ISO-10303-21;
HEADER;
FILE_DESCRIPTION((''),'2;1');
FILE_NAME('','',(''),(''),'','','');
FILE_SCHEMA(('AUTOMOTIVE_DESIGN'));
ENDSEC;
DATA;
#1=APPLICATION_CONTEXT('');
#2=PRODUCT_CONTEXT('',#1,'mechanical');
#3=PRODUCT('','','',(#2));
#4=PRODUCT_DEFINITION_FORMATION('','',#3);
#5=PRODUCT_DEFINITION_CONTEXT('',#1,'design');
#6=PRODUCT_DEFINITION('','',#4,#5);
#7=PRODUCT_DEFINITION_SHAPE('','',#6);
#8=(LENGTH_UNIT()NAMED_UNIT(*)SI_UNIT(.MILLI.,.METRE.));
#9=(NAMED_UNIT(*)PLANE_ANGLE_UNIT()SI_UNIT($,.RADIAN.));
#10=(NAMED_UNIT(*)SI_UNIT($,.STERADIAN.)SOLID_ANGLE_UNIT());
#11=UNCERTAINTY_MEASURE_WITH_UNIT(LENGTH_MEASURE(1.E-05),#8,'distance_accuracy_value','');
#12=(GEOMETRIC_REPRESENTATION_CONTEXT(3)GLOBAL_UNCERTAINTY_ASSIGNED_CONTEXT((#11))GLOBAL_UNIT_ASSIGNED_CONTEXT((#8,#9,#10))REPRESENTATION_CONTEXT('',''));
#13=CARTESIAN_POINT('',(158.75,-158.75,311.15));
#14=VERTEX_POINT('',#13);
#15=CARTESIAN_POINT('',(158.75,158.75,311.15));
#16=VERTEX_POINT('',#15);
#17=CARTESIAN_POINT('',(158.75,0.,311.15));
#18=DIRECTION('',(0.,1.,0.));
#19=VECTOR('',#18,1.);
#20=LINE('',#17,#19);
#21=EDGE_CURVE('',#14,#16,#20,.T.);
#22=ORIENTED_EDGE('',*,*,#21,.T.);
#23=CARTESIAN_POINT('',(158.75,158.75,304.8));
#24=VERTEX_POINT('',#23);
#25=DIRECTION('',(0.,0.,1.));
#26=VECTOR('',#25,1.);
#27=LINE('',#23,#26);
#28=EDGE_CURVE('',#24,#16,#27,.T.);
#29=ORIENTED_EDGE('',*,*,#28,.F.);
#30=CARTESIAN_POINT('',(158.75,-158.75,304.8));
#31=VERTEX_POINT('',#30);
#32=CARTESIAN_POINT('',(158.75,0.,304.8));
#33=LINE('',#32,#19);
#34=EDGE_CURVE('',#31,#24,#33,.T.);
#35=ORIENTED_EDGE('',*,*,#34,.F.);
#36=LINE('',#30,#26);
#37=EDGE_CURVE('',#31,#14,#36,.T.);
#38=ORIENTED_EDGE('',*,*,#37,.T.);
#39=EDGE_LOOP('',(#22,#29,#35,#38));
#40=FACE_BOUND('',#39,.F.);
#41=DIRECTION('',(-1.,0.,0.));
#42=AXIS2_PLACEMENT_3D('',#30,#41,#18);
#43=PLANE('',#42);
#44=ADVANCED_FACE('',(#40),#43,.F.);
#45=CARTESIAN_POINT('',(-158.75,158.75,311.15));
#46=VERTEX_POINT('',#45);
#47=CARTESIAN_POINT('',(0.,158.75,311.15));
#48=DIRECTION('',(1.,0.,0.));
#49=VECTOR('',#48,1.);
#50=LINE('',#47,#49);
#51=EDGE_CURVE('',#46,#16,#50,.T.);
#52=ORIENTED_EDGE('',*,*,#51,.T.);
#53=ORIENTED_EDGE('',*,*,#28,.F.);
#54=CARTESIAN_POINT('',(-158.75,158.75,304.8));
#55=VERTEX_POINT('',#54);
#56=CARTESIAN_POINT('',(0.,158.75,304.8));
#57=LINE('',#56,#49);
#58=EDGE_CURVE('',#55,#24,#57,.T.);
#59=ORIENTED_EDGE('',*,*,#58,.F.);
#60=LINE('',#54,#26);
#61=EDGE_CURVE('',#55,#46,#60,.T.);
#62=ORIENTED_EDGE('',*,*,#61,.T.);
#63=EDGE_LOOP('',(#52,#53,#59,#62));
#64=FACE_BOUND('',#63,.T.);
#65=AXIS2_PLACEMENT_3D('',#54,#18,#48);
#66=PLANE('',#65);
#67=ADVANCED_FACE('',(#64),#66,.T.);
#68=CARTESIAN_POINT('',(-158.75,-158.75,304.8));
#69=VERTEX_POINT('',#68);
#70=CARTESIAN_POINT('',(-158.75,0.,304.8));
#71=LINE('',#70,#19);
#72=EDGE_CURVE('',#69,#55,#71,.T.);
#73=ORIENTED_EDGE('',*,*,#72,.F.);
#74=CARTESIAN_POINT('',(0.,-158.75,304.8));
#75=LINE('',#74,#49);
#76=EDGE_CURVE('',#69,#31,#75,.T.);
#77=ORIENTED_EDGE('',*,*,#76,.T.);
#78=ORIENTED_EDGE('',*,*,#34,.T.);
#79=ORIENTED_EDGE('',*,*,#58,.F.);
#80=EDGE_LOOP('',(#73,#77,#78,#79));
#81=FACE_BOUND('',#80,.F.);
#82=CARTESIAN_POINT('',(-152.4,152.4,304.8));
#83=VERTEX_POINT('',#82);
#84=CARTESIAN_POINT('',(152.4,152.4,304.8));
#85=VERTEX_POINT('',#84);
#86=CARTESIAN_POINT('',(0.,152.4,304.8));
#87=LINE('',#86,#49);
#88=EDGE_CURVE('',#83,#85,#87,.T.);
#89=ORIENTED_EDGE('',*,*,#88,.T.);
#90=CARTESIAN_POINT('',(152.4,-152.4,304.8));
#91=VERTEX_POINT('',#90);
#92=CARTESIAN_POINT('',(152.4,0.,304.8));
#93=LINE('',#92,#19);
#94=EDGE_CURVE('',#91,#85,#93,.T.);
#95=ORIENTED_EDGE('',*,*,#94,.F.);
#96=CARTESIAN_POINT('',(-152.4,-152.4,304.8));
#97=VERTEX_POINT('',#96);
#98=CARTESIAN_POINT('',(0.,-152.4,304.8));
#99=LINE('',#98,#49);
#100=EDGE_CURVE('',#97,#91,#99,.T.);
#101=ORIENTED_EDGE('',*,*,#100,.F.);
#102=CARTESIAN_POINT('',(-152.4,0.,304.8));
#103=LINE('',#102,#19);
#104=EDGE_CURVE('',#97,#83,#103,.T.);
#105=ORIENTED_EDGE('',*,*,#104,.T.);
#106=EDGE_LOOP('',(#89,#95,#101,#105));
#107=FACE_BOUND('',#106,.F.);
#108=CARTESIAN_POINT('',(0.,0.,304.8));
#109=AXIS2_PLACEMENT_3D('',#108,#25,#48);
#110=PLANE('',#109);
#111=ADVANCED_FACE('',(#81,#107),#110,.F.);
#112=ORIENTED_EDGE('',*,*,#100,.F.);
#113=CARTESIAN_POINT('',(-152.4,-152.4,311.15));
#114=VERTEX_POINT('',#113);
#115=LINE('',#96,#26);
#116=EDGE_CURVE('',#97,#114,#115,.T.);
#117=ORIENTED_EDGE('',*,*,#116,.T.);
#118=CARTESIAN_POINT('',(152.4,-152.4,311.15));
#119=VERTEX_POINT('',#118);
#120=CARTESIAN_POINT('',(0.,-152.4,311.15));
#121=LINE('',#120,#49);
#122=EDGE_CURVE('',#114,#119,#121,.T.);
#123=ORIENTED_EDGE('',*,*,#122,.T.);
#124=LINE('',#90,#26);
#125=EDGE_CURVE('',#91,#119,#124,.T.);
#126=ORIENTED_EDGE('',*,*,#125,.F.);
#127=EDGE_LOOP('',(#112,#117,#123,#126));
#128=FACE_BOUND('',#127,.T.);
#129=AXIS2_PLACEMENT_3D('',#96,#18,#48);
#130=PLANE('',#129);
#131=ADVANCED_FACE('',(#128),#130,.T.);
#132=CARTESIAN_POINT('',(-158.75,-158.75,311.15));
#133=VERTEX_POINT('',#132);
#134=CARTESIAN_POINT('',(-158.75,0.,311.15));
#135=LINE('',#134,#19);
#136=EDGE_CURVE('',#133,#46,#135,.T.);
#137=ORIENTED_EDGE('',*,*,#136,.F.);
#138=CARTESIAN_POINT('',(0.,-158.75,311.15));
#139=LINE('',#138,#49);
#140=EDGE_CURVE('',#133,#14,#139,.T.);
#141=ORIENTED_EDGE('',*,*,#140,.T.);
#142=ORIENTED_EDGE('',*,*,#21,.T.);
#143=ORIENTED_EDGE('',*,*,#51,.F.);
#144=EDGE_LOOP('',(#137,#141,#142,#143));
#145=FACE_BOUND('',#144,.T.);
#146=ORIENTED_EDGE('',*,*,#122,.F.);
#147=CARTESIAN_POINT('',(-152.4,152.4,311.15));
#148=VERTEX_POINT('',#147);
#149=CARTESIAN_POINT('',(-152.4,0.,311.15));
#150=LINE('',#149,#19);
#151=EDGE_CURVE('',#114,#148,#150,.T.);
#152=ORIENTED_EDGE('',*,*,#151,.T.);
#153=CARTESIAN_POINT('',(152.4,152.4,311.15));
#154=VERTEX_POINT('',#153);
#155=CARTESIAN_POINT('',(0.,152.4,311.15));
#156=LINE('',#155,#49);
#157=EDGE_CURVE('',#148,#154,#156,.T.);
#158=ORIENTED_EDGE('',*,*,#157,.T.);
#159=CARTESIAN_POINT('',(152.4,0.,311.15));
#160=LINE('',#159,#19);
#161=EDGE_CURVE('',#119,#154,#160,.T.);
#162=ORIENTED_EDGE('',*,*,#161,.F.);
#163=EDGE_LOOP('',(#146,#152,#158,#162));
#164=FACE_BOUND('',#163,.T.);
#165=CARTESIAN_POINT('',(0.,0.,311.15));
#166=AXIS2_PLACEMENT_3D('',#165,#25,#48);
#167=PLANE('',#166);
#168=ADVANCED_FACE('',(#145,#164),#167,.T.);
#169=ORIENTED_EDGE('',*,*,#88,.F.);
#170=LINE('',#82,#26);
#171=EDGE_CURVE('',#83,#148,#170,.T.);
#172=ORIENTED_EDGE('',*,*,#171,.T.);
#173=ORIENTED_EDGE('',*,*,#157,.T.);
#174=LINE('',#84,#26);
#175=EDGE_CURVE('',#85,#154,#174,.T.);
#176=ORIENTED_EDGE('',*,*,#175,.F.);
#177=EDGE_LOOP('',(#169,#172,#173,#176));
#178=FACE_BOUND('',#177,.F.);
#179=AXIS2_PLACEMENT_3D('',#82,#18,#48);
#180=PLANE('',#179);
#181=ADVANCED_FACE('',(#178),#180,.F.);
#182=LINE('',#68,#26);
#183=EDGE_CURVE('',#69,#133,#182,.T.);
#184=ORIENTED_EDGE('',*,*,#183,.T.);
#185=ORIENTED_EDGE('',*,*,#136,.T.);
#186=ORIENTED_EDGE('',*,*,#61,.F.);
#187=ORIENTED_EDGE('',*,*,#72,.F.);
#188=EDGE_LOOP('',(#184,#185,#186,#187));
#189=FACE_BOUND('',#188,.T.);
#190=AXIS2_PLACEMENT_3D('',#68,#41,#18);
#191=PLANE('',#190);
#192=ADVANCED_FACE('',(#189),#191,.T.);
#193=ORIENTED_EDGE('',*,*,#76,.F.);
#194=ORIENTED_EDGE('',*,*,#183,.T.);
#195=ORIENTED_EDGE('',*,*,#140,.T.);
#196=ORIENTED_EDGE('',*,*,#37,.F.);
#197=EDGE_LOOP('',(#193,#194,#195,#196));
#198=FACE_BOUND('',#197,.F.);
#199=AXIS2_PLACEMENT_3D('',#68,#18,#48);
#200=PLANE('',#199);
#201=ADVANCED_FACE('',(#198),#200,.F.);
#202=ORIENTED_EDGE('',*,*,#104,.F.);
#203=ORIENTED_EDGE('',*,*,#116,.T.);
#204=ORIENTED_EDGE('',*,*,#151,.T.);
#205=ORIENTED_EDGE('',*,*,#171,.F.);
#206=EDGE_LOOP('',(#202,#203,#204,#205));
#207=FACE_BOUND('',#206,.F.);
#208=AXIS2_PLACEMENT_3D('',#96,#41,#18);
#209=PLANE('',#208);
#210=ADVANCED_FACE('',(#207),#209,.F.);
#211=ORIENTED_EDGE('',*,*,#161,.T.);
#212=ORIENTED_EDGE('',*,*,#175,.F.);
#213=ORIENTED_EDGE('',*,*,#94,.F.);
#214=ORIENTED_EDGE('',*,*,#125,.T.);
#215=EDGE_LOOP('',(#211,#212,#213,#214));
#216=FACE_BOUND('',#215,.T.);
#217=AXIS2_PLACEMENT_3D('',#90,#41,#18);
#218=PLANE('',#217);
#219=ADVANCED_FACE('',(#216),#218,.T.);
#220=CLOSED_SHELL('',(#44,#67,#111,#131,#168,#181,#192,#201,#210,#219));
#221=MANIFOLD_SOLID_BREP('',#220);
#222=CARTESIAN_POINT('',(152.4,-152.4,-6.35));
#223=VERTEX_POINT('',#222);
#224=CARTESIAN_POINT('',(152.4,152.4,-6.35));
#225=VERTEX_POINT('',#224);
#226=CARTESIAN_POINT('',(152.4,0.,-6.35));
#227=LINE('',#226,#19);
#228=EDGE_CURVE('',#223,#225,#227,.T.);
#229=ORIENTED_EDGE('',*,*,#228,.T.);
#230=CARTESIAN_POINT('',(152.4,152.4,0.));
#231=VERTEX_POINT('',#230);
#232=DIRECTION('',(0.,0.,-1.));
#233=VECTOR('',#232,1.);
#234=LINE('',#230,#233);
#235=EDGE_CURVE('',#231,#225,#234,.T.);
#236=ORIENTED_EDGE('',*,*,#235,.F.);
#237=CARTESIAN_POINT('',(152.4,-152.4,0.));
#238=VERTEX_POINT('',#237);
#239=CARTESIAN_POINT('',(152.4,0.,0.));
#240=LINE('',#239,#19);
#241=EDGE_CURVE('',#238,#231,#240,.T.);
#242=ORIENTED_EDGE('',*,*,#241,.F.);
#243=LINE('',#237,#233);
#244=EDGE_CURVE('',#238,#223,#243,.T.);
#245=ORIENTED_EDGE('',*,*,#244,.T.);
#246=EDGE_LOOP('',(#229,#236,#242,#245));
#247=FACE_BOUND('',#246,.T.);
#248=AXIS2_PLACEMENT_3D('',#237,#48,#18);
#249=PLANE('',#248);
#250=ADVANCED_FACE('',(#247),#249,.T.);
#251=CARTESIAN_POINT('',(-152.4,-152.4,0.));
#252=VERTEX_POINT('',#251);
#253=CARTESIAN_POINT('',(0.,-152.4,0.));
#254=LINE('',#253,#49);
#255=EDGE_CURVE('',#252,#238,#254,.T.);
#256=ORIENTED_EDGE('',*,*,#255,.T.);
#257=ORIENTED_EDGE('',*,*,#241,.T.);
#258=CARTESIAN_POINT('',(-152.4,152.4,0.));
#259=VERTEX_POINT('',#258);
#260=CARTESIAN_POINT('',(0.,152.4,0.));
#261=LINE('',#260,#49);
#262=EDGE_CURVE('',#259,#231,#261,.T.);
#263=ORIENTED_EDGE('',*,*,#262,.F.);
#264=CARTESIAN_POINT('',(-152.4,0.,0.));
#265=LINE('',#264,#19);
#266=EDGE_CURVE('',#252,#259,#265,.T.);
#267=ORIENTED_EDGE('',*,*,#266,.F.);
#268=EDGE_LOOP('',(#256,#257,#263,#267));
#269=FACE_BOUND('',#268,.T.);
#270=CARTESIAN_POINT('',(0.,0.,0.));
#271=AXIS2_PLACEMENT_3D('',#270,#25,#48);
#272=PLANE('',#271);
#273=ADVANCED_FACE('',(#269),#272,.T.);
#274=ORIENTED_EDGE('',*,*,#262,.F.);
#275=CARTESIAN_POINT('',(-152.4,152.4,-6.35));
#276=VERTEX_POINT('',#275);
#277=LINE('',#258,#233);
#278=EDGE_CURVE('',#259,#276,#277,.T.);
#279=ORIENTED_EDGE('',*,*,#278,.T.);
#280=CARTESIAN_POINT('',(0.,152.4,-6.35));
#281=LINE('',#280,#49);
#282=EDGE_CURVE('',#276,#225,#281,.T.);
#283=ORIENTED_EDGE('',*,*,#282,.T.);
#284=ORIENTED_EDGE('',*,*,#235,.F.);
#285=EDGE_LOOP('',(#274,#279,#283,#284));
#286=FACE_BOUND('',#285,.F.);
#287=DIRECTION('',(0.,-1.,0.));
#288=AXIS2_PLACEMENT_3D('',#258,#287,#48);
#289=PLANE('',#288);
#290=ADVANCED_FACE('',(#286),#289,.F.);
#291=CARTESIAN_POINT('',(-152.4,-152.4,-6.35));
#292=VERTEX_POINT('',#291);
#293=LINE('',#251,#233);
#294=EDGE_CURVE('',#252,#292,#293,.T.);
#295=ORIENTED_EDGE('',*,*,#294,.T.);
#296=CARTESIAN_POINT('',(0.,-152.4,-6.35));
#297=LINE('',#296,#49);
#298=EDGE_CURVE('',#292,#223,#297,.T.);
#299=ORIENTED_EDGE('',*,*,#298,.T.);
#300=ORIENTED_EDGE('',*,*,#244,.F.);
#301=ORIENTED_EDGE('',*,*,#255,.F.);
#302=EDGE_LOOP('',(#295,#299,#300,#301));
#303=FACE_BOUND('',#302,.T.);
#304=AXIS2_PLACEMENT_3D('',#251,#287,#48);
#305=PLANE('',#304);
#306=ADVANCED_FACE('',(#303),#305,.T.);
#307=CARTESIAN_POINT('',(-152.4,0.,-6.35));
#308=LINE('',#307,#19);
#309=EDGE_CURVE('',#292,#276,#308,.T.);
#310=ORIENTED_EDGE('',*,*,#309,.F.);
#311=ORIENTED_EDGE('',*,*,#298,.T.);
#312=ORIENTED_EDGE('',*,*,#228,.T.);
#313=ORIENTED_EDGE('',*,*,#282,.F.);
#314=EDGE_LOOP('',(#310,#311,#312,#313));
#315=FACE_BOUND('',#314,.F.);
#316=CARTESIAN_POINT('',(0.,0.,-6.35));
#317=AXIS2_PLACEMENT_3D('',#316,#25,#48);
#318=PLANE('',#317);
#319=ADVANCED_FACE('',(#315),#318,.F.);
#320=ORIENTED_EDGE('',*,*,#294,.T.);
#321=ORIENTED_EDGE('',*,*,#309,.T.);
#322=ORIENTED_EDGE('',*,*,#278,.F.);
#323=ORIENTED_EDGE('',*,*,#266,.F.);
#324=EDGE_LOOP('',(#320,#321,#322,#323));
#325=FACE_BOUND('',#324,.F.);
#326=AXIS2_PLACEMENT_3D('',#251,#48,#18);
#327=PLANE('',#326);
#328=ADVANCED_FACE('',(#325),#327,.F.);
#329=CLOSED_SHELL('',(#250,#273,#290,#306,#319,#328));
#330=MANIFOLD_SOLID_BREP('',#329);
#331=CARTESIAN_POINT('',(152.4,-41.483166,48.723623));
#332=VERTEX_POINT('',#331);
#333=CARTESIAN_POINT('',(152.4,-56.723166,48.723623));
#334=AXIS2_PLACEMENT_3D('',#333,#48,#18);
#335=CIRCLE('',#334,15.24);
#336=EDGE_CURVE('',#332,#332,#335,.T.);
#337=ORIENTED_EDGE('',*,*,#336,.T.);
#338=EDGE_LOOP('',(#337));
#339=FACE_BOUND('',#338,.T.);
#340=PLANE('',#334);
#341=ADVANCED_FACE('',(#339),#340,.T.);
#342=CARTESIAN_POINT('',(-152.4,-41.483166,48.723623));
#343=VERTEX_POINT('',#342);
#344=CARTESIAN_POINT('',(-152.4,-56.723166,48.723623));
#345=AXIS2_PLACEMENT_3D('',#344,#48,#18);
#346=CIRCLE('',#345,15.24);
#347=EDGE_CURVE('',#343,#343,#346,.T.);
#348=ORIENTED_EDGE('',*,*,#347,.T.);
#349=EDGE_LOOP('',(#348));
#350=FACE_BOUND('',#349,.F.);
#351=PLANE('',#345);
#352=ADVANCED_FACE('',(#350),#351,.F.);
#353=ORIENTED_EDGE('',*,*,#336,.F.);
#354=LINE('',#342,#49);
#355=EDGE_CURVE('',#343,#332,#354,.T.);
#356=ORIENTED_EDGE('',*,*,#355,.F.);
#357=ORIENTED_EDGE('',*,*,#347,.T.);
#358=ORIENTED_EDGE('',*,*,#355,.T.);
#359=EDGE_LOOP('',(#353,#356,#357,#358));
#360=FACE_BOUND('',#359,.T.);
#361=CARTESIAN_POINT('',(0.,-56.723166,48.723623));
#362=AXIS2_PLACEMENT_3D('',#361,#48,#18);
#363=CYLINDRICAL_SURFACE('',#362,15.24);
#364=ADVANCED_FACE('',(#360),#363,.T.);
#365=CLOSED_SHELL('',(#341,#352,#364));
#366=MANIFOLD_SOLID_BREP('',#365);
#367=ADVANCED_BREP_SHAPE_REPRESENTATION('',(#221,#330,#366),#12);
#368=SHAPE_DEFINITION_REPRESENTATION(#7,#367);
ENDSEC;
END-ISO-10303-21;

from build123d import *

# Parameters (mm, degrees)
F0_W          = 304.8
F0_H          = 304.8
F1_DEPTH      = 6.35
F3_W          = 317.5
F3_H          = 317.5
F3_W_2        = 304.8
F3_H_2        = 304.8
F4_DEPTH      = 6.35
F5_R          = 15.24
F6_DEPTH      = 152.4
F6_DEPTH_BACK = 152.4


with BuildPart() as f1:
    # F0 (on Top) → F1 (new body)
    with BuildSketch(Plane.XY):
        Rectangle(F0_W, F0_H)
    extrude(amount=-F1_DEPTH)


with BuildPart() as f4:
    # F3 (on offset) → F4 (new body)
    with BuildSketch(Plane.XY.offset(304.8)):
        Rectangle(F3_W, F3_H)
        Rectangle(F3_W_2, F3_H_2, mode=Mode.SUBTRACT)
    extrude(amount=F4_DEPTH)


with BuildPart() as f6:
    # F5 (on Right) → F6 (new body, two sides)
    with BuildSketch(Plane.YZ) as f6_sk:
        with Locations((-56.723166, 48.723623)):
            Circle(F5_R)
    extrude(amount=F6_DEPTH)
    extrude(f6_sk.sketch, amount=-F6_DEPTH_BACK)


solid = Compound([f1.part, f4.part, f6.part])
